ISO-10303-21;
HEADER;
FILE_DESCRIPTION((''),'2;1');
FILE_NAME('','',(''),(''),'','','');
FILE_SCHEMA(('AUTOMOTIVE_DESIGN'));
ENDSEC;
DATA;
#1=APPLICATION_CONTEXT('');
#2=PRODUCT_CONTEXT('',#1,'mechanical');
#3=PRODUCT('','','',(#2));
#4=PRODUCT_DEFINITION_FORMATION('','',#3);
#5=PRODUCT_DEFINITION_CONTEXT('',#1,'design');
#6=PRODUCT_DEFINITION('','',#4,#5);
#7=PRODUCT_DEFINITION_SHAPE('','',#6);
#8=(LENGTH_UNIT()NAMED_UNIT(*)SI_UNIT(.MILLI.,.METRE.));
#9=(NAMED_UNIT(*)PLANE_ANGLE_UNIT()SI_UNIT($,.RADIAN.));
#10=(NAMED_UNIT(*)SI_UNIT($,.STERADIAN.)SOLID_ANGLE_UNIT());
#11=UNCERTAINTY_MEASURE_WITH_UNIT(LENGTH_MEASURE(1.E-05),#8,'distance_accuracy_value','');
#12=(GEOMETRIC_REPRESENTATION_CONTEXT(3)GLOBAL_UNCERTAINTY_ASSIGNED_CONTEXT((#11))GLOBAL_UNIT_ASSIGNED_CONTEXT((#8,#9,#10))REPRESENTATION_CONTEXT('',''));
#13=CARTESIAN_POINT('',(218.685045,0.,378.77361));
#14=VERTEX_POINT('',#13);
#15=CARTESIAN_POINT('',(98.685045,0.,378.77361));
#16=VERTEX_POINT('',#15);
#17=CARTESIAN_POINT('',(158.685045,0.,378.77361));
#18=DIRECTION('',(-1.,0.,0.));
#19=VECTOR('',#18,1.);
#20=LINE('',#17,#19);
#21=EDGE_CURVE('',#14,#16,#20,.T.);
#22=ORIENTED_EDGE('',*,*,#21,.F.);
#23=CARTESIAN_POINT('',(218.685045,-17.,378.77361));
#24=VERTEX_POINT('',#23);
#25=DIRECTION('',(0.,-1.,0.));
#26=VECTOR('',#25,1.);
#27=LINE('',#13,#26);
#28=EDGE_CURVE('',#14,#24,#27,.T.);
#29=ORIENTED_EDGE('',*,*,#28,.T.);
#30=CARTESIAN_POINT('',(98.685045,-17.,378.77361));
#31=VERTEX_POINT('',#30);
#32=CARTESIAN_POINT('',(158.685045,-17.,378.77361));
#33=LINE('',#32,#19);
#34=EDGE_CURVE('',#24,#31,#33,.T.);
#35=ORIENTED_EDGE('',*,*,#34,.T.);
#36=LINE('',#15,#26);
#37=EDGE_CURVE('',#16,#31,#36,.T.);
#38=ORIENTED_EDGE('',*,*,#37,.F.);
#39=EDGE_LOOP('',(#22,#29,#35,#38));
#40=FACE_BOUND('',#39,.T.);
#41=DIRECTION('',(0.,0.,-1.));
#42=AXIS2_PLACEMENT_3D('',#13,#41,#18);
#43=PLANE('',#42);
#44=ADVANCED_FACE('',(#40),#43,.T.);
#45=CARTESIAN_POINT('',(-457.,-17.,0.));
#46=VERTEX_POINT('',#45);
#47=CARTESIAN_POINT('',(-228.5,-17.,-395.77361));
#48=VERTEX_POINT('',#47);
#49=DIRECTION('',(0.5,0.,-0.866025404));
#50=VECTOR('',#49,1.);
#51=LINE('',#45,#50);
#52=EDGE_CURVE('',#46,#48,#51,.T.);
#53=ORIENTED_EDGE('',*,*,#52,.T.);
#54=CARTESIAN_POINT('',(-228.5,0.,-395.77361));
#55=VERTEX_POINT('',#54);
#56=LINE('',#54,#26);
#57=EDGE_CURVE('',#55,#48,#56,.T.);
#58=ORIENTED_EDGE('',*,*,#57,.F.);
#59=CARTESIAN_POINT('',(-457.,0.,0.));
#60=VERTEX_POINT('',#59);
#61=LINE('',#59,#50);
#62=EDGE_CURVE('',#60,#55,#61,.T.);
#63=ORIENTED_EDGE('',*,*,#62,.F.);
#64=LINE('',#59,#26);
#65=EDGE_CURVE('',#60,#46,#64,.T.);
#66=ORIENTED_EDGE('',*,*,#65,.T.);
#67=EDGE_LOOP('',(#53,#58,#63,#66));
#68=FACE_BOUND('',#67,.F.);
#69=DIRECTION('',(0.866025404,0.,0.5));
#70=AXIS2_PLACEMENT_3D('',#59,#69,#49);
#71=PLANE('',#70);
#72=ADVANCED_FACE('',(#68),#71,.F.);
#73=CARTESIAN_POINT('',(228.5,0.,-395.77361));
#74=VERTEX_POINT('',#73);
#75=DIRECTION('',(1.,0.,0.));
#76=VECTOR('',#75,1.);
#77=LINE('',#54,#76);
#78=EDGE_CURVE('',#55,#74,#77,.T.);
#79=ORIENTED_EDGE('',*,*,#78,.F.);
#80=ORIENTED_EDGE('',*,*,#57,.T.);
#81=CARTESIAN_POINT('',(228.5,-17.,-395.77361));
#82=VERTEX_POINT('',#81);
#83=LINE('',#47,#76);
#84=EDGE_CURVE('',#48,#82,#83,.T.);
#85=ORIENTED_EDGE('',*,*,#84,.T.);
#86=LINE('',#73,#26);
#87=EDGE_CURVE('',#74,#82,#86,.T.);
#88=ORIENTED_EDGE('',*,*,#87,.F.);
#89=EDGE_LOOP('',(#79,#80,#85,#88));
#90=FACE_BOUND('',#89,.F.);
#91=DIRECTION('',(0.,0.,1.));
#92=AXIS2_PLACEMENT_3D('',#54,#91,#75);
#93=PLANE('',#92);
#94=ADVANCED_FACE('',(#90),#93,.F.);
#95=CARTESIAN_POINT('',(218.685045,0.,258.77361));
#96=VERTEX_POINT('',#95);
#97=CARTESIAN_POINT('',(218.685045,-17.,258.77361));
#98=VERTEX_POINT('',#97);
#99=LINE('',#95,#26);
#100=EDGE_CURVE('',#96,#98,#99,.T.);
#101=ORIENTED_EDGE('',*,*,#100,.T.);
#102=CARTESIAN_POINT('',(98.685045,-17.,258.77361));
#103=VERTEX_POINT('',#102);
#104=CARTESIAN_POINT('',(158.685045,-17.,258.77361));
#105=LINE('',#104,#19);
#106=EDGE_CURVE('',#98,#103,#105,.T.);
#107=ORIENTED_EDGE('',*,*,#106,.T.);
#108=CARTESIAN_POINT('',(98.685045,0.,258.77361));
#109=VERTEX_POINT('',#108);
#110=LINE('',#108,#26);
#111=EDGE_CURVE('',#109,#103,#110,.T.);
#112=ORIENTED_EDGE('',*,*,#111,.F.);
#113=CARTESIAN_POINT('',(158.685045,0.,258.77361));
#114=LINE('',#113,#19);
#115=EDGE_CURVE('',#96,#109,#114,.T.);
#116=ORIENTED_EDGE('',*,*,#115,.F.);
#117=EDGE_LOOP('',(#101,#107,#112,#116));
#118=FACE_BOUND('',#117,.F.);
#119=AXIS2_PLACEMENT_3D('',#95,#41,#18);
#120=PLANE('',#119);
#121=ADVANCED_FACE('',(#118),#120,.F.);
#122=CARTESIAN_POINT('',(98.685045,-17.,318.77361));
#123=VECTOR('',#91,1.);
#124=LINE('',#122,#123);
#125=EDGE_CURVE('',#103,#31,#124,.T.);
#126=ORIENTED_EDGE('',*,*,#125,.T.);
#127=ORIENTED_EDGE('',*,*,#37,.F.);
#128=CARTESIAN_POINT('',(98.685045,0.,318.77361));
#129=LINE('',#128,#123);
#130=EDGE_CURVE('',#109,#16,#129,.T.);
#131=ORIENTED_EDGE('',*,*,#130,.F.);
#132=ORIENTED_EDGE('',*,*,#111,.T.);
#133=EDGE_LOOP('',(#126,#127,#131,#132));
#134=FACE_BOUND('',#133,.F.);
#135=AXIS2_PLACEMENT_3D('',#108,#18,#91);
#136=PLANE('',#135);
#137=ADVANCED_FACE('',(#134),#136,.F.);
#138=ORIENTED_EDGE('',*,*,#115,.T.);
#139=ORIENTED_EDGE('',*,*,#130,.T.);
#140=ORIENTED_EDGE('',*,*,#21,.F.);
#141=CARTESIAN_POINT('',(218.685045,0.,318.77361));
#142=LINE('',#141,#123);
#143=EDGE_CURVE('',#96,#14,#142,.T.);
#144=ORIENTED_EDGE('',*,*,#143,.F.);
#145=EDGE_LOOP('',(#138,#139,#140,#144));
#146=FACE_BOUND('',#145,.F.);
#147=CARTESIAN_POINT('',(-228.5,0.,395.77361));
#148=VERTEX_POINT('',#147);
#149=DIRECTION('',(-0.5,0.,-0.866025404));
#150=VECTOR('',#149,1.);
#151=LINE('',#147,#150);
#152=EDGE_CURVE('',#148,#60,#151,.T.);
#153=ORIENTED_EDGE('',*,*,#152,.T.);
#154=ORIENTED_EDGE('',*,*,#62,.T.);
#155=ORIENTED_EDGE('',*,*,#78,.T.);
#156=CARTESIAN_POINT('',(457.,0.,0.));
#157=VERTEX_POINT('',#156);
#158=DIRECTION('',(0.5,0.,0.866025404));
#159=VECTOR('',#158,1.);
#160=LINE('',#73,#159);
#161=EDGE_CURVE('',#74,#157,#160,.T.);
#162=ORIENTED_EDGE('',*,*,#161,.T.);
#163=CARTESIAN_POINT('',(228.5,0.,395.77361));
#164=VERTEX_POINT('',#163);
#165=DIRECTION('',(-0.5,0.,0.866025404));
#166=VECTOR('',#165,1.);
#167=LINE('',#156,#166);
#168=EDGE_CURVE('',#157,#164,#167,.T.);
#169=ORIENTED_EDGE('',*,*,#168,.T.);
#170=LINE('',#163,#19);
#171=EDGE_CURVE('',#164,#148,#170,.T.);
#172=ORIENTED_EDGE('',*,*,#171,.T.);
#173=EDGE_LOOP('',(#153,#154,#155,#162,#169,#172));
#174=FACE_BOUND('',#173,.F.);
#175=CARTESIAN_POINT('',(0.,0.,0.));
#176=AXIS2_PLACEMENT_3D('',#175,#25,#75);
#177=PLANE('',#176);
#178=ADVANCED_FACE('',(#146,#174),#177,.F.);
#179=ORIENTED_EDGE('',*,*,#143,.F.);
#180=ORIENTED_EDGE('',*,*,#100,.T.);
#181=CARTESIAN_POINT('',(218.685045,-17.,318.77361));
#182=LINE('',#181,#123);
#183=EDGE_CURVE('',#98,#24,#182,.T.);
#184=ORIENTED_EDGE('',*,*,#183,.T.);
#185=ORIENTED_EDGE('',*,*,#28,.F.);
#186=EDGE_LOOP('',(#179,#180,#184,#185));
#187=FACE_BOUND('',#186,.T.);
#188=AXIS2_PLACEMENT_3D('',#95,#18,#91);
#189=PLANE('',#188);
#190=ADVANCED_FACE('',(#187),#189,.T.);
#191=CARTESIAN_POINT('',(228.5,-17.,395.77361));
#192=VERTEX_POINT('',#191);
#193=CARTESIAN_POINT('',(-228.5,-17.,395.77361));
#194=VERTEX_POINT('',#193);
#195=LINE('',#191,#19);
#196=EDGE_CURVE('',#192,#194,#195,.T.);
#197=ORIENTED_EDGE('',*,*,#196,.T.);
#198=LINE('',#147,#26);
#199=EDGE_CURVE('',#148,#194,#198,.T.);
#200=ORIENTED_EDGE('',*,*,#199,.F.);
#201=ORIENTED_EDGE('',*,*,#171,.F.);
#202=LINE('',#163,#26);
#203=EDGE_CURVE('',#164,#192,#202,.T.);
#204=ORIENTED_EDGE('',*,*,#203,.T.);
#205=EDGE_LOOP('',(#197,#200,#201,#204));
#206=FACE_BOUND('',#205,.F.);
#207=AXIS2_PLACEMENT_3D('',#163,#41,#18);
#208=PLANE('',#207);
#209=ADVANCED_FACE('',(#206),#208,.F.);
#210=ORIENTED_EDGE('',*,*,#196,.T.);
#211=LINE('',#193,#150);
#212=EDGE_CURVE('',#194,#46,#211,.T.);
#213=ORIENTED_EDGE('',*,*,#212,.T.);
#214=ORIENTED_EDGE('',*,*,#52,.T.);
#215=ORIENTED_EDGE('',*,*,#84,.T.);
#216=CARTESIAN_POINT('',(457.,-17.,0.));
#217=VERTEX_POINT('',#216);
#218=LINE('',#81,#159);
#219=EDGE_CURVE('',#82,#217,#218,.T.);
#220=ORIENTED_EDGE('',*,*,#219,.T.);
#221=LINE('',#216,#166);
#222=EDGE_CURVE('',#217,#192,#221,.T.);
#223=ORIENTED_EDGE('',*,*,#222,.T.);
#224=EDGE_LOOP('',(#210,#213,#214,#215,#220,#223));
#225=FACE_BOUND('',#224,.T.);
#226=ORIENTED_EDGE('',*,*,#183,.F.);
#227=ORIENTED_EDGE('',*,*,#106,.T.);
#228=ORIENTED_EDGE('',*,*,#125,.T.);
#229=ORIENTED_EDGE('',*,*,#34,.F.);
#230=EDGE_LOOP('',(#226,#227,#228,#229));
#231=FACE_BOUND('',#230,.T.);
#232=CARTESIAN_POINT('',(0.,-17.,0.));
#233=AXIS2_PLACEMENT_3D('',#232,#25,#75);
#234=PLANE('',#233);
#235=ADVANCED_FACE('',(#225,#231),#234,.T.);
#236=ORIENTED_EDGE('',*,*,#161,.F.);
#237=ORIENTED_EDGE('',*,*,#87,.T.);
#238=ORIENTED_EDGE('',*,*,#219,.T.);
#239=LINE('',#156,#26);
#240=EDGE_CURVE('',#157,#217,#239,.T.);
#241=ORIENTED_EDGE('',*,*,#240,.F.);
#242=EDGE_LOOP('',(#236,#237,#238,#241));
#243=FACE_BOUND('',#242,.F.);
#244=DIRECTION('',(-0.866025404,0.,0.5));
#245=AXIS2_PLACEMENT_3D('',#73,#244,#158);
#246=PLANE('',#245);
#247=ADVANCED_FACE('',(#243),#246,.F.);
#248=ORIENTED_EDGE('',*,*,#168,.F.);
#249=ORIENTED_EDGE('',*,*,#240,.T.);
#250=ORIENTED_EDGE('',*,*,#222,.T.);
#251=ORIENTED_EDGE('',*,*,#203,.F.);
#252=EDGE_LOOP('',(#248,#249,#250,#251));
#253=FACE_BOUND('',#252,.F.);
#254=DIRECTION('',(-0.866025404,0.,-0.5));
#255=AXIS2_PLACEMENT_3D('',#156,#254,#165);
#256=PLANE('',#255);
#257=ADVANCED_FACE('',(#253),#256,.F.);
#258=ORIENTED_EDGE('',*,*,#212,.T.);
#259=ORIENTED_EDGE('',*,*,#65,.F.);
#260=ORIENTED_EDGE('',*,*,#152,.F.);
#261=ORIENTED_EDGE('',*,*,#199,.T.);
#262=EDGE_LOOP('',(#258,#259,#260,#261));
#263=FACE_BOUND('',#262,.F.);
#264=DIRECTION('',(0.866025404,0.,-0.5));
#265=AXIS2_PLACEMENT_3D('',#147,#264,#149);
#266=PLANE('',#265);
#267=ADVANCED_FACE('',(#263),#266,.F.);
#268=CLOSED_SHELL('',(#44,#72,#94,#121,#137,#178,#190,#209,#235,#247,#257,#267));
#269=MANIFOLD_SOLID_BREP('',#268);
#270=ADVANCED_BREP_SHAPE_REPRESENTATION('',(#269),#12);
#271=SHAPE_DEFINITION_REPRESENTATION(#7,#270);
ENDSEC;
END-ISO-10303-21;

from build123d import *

# Parameters (mm, degrees)
F1_DEPTH = 17
F2_W     = 120
F2_H     = 120
F3_DEPTH = 17


with BuildPart() as f1:
    # F0 (on Front) → F1 (new body)
    with BuildSketch(Plane.XZ):
        Polygon((-228.5, -395.77361), (228.5, -395.77361), (457, 0), (228.5, 395.77361), (-228.5, 395.77361), (-457, 0), align=None)
    extrude(amount=F1_DEPTH)

    # F2 (on face) → F3 (cut)
    with BuildSketch(Plane(origin=(0, 0, 0), x_dir=(-1, 0, 0), z_dir=(0, 1, 0))):
        with Locations((-158.685045, 318.77361)):
            Rectangle(F2_W, F2_H)
    extrude(amount=-F3_DEPTH, mode=Mode.SUBTRACT)


solid = f1.part
